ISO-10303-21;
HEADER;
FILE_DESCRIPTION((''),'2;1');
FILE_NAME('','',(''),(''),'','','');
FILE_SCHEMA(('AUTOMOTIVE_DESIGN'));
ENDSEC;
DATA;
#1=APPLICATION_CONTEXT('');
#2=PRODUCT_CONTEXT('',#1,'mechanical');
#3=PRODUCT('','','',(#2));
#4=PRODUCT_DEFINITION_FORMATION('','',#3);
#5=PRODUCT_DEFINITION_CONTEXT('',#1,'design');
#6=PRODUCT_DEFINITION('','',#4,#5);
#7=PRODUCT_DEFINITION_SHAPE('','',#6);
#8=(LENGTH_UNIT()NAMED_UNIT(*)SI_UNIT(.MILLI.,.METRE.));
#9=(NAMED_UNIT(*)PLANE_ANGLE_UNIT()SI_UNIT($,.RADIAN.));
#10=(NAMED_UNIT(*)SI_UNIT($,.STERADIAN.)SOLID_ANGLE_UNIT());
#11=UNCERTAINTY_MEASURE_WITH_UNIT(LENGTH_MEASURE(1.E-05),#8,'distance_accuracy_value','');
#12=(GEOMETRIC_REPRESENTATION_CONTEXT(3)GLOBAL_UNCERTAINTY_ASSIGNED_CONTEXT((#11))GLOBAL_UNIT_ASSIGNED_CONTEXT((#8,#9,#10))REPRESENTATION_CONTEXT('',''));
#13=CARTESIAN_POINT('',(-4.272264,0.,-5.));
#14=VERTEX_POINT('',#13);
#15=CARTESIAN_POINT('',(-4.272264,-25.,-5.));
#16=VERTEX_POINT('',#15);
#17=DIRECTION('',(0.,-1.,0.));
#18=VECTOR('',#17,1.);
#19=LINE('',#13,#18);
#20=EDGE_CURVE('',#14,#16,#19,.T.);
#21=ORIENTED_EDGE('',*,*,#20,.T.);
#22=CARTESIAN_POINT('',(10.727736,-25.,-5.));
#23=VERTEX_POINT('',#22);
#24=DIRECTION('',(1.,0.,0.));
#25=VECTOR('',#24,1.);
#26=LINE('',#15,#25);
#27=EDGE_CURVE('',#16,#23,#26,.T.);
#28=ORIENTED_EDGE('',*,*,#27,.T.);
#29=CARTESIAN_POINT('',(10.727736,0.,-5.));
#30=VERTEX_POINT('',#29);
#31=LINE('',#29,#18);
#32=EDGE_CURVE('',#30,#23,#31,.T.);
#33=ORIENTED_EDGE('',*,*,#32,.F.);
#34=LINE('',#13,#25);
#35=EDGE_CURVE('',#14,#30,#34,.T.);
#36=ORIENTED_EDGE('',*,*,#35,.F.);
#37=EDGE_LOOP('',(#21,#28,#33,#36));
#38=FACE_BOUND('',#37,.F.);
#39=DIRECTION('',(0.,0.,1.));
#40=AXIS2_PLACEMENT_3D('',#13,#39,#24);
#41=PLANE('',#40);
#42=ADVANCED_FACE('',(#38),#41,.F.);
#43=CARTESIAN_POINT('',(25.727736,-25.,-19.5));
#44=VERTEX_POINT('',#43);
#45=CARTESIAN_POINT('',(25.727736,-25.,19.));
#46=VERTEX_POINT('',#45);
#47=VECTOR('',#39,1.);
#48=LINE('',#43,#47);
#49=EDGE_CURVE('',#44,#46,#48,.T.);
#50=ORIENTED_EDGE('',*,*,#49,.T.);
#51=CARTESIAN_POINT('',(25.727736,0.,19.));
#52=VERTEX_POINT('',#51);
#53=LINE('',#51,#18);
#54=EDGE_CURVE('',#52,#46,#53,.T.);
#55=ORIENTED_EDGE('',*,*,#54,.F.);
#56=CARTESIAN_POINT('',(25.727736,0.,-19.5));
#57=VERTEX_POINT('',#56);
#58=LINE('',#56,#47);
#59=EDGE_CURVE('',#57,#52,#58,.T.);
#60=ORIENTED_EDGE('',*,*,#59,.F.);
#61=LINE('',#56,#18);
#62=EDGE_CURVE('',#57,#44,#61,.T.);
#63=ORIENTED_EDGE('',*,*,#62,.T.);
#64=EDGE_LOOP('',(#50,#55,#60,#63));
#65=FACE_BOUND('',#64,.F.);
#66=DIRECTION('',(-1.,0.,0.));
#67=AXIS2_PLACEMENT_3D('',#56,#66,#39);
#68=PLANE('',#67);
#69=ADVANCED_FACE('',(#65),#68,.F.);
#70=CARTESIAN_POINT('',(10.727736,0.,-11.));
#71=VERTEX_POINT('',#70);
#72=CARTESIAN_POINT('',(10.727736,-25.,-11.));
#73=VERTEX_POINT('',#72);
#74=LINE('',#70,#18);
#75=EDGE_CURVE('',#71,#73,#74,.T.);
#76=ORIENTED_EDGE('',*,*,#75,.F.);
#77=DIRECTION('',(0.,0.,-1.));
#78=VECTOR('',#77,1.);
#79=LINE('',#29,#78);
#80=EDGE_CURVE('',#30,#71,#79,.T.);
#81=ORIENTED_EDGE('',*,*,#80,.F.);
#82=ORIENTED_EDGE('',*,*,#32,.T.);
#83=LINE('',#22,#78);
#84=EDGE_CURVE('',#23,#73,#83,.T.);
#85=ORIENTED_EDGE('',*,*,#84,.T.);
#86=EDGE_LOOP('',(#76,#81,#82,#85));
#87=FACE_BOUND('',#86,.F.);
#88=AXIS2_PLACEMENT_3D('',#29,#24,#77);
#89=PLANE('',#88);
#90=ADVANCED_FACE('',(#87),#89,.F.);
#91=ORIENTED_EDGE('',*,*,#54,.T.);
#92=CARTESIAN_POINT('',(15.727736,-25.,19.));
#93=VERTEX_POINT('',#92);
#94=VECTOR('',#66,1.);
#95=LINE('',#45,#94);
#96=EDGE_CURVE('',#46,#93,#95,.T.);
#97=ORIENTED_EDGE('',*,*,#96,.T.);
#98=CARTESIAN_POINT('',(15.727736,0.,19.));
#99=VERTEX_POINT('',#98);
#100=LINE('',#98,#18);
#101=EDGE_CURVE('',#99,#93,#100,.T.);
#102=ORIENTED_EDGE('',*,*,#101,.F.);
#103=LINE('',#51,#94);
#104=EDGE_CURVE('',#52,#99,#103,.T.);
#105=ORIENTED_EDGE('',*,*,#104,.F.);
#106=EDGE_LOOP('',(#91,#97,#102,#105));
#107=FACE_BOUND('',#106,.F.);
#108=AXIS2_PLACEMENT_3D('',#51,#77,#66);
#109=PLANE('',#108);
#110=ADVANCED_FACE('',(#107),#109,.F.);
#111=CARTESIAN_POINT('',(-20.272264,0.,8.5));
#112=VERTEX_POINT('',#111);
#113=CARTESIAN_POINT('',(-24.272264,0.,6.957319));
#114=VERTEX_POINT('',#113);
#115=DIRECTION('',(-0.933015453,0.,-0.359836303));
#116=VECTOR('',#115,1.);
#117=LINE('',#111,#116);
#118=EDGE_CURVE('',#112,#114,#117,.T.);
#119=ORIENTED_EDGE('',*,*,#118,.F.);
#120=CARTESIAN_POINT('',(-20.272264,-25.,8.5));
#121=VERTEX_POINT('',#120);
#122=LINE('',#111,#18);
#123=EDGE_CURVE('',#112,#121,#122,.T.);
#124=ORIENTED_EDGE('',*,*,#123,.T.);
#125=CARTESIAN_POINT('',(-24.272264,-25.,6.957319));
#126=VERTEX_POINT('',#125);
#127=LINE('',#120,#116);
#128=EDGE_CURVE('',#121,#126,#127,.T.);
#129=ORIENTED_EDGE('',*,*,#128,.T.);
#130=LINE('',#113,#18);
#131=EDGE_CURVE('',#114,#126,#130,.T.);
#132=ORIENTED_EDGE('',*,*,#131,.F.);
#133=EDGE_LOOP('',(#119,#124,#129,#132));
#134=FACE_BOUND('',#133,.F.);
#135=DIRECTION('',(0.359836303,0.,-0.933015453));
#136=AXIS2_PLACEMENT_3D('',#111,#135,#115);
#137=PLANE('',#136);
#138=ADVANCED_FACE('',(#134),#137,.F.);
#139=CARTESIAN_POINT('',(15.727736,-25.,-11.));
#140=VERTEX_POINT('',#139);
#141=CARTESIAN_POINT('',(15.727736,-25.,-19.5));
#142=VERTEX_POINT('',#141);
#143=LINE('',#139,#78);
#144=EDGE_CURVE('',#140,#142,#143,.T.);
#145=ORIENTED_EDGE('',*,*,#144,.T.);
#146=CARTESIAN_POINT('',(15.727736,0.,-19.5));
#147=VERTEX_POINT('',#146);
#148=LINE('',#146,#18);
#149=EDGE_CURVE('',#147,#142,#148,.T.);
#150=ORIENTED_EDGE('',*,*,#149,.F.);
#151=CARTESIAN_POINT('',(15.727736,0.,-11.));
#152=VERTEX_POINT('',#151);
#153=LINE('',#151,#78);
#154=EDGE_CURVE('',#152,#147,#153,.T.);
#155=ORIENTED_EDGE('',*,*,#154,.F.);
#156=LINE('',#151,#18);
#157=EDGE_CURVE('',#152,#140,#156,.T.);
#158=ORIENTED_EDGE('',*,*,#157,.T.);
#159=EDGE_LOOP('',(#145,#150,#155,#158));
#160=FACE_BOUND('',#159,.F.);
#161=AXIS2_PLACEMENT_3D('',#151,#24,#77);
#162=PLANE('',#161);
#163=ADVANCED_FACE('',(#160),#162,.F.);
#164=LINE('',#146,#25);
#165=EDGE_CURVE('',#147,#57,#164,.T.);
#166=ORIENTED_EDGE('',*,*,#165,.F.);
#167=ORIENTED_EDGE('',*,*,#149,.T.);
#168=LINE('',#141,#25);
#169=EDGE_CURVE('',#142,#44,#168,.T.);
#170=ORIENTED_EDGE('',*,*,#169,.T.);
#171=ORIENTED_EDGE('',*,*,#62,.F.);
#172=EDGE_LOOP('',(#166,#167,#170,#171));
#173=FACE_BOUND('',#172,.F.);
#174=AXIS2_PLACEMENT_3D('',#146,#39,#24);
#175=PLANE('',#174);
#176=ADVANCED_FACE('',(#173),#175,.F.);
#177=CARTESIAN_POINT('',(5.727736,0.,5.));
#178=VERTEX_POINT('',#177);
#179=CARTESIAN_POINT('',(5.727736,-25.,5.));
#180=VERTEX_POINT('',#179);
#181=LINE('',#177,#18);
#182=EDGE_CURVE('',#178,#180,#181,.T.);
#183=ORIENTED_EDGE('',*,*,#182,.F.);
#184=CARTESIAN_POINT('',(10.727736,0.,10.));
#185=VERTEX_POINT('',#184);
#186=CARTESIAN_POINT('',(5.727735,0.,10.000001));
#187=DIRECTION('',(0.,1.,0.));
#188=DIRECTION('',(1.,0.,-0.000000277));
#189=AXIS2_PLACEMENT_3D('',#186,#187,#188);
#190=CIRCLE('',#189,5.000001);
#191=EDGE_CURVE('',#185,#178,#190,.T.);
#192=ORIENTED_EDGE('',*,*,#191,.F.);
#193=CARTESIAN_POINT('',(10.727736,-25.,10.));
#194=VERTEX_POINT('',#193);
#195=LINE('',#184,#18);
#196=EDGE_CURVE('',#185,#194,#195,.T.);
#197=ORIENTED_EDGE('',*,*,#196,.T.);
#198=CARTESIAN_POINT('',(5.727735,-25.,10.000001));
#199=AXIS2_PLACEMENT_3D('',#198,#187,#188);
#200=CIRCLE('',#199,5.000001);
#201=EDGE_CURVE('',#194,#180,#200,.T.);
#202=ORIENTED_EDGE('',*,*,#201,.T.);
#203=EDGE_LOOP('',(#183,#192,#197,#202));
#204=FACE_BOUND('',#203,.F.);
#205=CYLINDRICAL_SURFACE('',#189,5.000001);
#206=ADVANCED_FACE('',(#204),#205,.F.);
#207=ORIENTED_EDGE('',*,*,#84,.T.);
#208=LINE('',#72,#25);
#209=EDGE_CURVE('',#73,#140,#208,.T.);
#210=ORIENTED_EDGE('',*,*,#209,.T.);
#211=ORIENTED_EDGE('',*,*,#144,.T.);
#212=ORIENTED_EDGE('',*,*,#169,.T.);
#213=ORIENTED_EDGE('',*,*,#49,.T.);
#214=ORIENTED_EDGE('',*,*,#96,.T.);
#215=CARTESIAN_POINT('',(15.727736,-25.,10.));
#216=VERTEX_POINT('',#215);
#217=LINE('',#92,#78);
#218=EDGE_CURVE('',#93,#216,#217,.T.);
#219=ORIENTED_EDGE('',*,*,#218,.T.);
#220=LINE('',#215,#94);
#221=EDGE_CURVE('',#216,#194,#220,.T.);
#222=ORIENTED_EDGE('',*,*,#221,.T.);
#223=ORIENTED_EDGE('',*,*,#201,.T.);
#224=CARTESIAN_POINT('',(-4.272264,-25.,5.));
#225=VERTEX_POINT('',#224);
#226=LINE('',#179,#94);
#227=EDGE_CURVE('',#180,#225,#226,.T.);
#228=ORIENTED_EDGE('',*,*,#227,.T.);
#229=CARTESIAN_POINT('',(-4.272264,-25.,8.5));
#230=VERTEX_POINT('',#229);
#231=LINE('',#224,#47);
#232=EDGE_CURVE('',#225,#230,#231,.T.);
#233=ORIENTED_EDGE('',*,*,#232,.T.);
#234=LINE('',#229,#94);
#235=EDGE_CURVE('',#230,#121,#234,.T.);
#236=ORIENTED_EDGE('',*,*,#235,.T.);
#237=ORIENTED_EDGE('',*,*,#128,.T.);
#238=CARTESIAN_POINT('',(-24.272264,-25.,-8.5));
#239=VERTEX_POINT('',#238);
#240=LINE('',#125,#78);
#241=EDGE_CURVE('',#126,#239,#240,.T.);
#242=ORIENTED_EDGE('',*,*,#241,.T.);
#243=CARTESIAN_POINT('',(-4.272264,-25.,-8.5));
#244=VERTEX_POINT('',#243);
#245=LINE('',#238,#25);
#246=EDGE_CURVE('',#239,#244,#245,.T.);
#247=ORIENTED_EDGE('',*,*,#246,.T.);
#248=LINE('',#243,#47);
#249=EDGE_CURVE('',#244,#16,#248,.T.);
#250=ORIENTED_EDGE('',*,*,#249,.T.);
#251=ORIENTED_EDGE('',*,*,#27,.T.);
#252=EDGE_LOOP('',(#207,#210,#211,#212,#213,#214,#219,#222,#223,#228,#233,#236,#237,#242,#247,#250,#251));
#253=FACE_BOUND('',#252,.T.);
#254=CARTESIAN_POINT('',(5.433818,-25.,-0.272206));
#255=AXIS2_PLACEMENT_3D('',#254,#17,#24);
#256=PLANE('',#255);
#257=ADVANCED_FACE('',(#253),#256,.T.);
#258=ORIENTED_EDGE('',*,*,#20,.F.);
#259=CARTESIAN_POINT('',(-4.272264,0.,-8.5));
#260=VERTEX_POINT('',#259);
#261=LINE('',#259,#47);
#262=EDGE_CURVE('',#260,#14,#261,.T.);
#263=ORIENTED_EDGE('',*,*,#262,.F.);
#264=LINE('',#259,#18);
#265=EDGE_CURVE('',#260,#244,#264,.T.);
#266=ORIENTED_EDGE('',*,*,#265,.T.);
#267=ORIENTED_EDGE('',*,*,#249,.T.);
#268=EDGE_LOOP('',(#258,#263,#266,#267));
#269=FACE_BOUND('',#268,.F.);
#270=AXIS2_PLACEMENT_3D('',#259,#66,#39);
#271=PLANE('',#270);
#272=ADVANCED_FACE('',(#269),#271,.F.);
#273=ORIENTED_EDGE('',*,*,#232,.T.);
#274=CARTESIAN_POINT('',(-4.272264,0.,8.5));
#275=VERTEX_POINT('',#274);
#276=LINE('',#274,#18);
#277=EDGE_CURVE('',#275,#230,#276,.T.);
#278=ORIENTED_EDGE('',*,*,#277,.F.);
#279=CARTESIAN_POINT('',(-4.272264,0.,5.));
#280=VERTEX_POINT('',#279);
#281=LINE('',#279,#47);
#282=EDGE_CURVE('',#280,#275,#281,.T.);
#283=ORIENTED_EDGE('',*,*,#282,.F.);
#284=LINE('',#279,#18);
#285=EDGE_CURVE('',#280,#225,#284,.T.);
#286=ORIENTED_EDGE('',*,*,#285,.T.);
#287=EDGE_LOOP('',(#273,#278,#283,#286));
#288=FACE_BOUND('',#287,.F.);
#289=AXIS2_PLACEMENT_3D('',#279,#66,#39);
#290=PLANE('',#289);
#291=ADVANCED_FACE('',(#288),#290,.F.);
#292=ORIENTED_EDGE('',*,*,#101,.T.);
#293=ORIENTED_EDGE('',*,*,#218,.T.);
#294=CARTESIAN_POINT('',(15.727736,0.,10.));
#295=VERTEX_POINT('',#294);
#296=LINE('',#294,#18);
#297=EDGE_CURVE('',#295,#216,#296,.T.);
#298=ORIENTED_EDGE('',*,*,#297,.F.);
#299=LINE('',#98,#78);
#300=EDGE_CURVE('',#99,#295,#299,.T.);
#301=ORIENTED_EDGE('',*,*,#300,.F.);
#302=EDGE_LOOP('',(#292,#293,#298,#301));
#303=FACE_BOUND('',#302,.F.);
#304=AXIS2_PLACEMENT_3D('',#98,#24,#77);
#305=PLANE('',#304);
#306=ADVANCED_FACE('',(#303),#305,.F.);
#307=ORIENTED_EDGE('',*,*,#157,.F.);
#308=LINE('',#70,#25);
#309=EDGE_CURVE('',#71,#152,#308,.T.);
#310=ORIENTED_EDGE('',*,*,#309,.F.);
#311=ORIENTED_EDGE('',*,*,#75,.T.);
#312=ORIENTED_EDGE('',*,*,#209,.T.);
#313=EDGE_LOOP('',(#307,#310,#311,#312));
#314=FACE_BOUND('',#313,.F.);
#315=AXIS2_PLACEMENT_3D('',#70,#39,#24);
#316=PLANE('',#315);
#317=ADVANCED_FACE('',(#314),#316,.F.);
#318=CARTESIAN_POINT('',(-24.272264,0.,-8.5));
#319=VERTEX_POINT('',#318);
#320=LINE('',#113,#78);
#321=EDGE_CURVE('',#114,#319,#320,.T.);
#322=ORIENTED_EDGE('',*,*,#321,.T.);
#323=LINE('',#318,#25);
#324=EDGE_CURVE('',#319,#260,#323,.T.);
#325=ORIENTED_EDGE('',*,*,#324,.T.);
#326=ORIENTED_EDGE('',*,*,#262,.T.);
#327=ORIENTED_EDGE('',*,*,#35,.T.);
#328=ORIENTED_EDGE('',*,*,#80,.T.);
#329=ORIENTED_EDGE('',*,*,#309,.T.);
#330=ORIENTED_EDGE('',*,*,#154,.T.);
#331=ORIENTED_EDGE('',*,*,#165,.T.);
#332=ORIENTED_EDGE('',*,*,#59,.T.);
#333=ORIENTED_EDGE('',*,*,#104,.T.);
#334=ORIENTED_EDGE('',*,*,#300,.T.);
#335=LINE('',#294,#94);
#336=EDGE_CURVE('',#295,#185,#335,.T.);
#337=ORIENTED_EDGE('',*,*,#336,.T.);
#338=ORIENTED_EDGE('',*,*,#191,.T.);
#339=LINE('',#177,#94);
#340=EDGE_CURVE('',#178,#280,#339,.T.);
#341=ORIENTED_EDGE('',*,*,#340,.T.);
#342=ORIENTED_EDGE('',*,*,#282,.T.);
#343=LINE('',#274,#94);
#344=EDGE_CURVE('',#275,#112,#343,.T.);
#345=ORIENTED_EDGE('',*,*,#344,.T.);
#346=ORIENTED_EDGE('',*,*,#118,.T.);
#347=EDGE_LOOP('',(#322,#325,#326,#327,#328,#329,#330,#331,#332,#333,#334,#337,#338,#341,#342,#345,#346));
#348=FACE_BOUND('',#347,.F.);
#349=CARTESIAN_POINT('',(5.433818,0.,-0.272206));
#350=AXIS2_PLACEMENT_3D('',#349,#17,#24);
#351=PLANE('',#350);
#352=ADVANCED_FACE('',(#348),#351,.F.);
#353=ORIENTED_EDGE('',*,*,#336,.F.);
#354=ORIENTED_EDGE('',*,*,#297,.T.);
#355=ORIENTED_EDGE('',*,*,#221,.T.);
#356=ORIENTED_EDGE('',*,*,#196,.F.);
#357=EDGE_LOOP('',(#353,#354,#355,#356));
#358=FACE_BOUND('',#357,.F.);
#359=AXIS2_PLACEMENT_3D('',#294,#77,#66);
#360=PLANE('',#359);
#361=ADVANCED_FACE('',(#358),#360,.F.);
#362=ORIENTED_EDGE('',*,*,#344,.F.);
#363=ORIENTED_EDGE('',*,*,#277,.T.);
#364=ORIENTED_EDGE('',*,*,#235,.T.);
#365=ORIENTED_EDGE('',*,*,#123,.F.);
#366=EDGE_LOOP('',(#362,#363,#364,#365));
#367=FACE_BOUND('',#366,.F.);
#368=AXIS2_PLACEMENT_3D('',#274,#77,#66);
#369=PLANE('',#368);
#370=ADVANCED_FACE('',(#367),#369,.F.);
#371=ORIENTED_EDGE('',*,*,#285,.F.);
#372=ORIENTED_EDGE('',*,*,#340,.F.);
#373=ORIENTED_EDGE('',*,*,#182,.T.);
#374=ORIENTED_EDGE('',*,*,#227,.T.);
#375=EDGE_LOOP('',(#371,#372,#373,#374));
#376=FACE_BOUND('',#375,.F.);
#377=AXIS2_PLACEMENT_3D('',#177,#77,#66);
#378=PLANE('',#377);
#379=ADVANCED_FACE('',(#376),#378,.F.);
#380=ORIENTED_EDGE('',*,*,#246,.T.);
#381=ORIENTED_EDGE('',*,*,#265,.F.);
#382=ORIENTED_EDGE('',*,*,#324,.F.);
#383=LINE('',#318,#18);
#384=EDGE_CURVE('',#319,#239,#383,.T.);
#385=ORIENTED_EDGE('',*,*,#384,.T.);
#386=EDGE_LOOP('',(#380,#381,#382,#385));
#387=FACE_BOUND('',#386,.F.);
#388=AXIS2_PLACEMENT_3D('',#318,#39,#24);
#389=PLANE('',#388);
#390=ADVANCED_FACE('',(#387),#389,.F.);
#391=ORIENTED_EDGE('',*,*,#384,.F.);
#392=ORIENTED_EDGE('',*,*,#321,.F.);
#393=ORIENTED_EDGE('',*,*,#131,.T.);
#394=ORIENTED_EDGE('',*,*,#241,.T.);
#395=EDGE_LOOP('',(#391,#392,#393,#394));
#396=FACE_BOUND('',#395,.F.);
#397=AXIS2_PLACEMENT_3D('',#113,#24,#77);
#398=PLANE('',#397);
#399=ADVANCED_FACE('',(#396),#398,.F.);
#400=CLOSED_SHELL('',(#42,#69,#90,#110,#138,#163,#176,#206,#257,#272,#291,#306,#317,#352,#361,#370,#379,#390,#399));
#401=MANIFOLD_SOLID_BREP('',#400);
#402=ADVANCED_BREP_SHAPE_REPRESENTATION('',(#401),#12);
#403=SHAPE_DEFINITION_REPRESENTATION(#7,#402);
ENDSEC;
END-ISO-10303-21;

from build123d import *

# Parameters (mm, degrees)
F1_DEPTH = 25


with BuildPart() as f1:
    # F0 (on Front) → F1 (new body)
    with BuildSketch(Plane.XZ):
        with BuildLine():
            Line((-24.272264, 6.957319), (-24.272264, -8.5))
            Line((-24.272264, -8.5), (-4.272264, -8.5))
            Line((-4.272264, -8.5), (-4.272264, -5))
            Line((-4.272264, -5), (10.727736, -5))
            Line((10.727736, -5), (10.727736, -11))
            Line((10.727736, -11), (15.727736, -11))
            Line((15.727736, -11), (15.727736, -19.5))
            Line((15.727736, -19.5), (25.727736, -19.5))
            Line((25.727736, -19.5), (25.727736, 19))
            Line((25.727736, 19), (15.727736, 19))
            Line((15.727736, 19), (15.727736, 10))
            Line((15.727736, 10), (10.727736, 10))
            ThreePointArc((10.727736, 10), (9.263269, 6.464466), (5.727736, 5))
            Line((5.727736, 5), (-4.272264, 5))
            Line((-4.272264, 5), (-4.272264, 8.5))
            Line((-4.272264, 8.5), (-20.272264, 8.5))
            Line((-20.272264, 8.5), (-24.272264, 6.957319))
        make_face()
    extrude(amount=F1_DEPTH)


solid = f1.part
